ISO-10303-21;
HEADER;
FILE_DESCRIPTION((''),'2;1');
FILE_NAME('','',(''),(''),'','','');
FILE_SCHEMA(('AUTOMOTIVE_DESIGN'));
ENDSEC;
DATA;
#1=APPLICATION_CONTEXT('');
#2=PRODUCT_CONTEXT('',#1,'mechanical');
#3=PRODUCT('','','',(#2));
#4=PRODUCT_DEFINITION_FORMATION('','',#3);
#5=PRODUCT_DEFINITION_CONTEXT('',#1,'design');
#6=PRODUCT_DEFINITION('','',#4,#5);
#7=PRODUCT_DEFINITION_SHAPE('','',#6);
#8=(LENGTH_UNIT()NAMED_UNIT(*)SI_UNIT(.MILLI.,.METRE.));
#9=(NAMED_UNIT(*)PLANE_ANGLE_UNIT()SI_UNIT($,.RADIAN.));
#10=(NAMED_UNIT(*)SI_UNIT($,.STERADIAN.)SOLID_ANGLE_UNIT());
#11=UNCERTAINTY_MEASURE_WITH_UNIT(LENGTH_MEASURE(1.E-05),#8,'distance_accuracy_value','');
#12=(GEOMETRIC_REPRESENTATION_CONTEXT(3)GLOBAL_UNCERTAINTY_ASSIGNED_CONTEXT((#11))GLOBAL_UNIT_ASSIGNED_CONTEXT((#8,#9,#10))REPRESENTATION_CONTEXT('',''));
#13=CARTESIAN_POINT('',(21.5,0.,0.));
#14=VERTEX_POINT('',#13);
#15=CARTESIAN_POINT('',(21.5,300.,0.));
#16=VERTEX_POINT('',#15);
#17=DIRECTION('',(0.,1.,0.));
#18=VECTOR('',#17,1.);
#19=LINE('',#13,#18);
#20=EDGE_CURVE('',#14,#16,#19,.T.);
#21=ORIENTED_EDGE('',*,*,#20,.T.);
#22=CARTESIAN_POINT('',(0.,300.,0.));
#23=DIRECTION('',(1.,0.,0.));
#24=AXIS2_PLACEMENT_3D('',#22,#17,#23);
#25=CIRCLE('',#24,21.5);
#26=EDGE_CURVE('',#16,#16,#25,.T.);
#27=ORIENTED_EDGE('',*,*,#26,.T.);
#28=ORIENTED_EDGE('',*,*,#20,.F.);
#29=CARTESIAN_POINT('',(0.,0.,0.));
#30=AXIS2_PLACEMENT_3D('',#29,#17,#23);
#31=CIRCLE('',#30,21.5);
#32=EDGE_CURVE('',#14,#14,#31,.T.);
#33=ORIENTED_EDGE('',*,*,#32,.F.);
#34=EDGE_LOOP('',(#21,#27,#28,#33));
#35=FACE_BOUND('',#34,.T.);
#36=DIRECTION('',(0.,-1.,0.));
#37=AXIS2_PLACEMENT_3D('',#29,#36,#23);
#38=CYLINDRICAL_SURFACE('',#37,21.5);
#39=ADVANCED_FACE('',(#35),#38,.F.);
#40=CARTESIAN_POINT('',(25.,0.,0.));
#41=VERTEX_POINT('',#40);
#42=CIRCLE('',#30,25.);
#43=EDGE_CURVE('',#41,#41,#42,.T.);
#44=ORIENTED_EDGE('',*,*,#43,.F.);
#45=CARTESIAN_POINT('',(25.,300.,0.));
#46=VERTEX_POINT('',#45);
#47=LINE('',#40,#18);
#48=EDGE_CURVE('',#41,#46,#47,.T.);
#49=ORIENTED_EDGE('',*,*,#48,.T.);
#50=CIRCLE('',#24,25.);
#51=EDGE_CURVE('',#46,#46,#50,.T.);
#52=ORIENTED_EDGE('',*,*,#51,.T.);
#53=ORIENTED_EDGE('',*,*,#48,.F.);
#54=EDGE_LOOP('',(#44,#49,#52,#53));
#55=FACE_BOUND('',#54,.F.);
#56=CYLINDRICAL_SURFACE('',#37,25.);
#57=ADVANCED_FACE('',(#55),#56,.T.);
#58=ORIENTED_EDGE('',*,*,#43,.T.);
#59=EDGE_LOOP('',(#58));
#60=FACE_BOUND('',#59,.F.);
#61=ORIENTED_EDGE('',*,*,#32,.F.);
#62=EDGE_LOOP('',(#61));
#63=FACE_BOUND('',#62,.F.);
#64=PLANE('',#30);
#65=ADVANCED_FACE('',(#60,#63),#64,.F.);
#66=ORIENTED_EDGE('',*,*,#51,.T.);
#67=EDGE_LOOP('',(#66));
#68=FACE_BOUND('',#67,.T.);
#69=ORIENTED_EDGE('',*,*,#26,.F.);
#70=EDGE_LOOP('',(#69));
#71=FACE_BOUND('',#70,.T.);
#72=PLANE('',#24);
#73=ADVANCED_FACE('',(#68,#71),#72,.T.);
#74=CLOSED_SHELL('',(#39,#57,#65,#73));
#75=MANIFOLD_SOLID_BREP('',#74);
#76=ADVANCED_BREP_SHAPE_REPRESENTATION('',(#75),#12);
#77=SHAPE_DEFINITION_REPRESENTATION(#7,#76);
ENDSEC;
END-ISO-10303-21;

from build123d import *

# Parameters (mm, degrees)
SKETCH_1_R      = 25
SKETCH_1_R_2    = 21.5
EXTRUDE_1_DEPTH = 300


with BuildPart() as part:
    # Эскиз1 → Вытянуть-Тонкостенный1 (new body)
    with BuildSketch(Plane(origin=(0, 0, 0), x_dir=(1, 0, 0), z_dir=(0, 1, 0))):
        Circle(SKETCH_1_R)
        Circle(SKETCH_1_R_2, mode=Mode.SUBTRACT)
    extrude(amount=EXTRUDE_1_DEPTH)


solid = part.part
